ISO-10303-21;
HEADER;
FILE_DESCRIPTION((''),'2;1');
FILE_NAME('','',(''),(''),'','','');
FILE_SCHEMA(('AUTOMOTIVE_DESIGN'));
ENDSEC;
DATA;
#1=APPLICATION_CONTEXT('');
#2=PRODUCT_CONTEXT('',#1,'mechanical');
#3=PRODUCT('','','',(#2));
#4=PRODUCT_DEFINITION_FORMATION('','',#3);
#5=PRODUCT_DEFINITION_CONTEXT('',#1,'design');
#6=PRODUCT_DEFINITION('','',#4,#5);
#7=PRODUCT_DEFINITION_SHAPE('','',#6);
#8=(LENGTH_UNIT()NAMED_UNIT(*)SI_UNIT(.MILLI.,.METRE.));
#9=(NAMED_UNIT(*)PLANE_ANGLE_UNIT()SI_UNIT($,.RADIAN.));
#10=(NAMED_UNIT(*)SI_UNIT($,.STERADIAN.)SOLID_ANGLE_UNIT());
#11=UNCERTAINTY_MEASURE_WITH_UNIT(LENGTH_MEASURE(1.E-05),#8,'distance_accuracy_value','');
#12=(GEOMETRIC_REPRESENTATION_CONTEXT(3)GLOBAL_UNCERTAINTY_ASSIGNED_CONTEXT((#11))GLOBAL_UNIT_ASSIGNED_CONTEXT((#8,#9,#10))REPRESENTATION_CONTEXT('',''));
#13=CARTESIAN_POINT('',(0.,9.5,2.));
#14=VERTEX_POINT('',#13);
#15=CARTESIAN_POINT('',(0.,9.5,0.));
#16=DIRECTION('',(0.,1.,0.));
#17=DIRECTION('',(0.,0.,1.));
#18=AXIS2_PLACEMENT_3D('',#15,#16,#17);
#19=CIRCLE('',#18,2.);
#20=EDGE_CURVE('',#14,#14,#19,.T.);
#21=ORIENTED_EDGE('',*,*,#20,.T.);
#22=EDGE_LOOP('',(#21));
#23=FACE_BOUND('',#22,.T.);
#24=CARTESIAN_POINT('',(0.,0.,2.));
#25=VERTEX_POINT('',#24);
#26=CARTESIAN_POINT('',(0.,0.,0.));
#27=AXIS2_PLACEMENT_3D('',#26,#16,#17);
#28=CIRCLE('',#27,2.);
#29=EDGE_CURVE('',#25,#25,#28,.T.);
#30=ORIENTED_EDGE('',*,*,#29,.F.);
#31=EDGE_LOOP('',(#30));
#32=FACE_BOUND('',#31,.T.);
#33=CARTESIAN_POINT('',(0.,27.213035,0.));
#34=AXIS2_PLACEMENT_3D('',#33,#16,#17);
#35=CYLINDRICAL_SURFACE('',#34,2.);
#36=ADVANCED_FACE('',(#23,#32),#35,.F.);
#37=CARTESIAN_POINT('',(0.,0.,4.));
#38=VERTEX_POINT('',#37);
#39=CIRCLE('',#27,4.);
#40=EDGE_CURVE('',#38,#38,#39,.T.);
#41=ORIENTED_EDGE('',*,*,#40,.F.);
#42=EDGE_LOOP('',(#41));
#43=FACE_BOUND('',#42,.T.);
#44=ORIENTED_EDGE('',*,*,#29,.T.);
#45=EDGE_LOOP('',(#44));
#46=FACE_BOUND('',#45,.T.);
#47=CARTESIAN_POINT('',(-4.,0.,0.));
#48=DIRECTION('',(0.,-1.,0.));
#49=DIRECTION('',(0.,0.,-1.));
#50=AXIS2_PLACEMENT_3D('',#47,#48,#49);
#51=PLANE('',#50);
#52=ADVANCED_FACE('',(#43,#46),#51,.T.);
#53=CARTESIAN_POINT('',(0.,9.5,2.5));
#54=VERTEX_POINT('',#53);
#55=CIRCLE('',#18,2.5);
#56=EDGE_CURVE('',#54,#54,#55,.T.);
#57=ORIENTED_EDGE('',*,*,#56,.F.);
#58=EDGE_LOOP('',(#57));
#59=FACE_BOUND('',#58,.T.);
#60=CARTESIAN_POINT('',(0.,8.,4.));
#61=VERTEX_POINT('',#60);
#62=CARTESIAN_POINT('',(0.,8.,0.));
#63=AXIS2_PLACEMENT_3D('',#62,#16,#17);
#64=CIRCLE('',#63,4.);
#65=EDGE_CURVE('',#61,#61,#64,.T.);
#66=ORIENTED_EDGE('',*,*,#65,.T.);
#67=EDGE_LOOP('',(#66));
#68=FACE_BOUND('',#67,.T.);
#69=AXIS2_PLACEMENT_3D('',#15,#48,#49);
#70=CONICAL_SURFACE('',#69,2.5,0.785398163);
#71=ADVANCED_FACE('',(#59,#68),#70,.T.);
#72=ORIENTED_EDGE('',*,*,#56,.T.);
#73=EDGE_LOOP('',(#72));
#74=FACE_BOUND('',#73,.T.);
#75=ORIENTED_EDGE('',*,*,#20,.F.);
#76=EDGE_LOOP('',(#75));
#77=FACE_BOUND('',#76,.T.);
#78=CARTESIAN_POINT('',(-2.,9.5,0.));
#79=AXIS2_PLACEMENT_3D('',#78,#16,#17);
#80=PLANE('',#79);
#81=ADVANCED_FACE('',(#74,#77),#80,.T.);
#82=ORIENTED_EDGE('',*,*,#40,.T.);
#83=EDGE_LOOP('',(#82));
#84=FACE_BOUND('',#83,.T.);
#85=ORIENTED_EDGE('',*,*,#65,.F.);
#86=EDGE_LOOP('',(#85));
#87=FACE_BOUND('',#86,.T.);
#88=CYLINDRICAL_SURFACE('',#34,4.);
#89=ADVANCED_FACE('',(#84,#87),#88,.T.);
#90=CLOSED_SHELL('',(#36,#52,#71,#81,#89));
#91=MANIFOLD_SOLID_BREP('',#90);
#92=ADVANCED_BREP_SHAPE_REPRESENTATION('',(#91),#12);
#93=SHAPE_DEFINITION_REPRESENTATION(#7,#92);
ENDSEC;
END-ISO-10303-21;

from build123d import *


with BuildPart() as part:
    # Skizze1 → Rotation1 (revolve)
    with BuildSketch(Plane.XY):
        Polygon((-2, 9.5), (-2.5, 9.5), (-4, 8), (-4, 0), (-2, 0), align=None)
    revolve(axis=Axis((0, 27.213035184, 0), (0, -1, 0)))


solid = part.part
